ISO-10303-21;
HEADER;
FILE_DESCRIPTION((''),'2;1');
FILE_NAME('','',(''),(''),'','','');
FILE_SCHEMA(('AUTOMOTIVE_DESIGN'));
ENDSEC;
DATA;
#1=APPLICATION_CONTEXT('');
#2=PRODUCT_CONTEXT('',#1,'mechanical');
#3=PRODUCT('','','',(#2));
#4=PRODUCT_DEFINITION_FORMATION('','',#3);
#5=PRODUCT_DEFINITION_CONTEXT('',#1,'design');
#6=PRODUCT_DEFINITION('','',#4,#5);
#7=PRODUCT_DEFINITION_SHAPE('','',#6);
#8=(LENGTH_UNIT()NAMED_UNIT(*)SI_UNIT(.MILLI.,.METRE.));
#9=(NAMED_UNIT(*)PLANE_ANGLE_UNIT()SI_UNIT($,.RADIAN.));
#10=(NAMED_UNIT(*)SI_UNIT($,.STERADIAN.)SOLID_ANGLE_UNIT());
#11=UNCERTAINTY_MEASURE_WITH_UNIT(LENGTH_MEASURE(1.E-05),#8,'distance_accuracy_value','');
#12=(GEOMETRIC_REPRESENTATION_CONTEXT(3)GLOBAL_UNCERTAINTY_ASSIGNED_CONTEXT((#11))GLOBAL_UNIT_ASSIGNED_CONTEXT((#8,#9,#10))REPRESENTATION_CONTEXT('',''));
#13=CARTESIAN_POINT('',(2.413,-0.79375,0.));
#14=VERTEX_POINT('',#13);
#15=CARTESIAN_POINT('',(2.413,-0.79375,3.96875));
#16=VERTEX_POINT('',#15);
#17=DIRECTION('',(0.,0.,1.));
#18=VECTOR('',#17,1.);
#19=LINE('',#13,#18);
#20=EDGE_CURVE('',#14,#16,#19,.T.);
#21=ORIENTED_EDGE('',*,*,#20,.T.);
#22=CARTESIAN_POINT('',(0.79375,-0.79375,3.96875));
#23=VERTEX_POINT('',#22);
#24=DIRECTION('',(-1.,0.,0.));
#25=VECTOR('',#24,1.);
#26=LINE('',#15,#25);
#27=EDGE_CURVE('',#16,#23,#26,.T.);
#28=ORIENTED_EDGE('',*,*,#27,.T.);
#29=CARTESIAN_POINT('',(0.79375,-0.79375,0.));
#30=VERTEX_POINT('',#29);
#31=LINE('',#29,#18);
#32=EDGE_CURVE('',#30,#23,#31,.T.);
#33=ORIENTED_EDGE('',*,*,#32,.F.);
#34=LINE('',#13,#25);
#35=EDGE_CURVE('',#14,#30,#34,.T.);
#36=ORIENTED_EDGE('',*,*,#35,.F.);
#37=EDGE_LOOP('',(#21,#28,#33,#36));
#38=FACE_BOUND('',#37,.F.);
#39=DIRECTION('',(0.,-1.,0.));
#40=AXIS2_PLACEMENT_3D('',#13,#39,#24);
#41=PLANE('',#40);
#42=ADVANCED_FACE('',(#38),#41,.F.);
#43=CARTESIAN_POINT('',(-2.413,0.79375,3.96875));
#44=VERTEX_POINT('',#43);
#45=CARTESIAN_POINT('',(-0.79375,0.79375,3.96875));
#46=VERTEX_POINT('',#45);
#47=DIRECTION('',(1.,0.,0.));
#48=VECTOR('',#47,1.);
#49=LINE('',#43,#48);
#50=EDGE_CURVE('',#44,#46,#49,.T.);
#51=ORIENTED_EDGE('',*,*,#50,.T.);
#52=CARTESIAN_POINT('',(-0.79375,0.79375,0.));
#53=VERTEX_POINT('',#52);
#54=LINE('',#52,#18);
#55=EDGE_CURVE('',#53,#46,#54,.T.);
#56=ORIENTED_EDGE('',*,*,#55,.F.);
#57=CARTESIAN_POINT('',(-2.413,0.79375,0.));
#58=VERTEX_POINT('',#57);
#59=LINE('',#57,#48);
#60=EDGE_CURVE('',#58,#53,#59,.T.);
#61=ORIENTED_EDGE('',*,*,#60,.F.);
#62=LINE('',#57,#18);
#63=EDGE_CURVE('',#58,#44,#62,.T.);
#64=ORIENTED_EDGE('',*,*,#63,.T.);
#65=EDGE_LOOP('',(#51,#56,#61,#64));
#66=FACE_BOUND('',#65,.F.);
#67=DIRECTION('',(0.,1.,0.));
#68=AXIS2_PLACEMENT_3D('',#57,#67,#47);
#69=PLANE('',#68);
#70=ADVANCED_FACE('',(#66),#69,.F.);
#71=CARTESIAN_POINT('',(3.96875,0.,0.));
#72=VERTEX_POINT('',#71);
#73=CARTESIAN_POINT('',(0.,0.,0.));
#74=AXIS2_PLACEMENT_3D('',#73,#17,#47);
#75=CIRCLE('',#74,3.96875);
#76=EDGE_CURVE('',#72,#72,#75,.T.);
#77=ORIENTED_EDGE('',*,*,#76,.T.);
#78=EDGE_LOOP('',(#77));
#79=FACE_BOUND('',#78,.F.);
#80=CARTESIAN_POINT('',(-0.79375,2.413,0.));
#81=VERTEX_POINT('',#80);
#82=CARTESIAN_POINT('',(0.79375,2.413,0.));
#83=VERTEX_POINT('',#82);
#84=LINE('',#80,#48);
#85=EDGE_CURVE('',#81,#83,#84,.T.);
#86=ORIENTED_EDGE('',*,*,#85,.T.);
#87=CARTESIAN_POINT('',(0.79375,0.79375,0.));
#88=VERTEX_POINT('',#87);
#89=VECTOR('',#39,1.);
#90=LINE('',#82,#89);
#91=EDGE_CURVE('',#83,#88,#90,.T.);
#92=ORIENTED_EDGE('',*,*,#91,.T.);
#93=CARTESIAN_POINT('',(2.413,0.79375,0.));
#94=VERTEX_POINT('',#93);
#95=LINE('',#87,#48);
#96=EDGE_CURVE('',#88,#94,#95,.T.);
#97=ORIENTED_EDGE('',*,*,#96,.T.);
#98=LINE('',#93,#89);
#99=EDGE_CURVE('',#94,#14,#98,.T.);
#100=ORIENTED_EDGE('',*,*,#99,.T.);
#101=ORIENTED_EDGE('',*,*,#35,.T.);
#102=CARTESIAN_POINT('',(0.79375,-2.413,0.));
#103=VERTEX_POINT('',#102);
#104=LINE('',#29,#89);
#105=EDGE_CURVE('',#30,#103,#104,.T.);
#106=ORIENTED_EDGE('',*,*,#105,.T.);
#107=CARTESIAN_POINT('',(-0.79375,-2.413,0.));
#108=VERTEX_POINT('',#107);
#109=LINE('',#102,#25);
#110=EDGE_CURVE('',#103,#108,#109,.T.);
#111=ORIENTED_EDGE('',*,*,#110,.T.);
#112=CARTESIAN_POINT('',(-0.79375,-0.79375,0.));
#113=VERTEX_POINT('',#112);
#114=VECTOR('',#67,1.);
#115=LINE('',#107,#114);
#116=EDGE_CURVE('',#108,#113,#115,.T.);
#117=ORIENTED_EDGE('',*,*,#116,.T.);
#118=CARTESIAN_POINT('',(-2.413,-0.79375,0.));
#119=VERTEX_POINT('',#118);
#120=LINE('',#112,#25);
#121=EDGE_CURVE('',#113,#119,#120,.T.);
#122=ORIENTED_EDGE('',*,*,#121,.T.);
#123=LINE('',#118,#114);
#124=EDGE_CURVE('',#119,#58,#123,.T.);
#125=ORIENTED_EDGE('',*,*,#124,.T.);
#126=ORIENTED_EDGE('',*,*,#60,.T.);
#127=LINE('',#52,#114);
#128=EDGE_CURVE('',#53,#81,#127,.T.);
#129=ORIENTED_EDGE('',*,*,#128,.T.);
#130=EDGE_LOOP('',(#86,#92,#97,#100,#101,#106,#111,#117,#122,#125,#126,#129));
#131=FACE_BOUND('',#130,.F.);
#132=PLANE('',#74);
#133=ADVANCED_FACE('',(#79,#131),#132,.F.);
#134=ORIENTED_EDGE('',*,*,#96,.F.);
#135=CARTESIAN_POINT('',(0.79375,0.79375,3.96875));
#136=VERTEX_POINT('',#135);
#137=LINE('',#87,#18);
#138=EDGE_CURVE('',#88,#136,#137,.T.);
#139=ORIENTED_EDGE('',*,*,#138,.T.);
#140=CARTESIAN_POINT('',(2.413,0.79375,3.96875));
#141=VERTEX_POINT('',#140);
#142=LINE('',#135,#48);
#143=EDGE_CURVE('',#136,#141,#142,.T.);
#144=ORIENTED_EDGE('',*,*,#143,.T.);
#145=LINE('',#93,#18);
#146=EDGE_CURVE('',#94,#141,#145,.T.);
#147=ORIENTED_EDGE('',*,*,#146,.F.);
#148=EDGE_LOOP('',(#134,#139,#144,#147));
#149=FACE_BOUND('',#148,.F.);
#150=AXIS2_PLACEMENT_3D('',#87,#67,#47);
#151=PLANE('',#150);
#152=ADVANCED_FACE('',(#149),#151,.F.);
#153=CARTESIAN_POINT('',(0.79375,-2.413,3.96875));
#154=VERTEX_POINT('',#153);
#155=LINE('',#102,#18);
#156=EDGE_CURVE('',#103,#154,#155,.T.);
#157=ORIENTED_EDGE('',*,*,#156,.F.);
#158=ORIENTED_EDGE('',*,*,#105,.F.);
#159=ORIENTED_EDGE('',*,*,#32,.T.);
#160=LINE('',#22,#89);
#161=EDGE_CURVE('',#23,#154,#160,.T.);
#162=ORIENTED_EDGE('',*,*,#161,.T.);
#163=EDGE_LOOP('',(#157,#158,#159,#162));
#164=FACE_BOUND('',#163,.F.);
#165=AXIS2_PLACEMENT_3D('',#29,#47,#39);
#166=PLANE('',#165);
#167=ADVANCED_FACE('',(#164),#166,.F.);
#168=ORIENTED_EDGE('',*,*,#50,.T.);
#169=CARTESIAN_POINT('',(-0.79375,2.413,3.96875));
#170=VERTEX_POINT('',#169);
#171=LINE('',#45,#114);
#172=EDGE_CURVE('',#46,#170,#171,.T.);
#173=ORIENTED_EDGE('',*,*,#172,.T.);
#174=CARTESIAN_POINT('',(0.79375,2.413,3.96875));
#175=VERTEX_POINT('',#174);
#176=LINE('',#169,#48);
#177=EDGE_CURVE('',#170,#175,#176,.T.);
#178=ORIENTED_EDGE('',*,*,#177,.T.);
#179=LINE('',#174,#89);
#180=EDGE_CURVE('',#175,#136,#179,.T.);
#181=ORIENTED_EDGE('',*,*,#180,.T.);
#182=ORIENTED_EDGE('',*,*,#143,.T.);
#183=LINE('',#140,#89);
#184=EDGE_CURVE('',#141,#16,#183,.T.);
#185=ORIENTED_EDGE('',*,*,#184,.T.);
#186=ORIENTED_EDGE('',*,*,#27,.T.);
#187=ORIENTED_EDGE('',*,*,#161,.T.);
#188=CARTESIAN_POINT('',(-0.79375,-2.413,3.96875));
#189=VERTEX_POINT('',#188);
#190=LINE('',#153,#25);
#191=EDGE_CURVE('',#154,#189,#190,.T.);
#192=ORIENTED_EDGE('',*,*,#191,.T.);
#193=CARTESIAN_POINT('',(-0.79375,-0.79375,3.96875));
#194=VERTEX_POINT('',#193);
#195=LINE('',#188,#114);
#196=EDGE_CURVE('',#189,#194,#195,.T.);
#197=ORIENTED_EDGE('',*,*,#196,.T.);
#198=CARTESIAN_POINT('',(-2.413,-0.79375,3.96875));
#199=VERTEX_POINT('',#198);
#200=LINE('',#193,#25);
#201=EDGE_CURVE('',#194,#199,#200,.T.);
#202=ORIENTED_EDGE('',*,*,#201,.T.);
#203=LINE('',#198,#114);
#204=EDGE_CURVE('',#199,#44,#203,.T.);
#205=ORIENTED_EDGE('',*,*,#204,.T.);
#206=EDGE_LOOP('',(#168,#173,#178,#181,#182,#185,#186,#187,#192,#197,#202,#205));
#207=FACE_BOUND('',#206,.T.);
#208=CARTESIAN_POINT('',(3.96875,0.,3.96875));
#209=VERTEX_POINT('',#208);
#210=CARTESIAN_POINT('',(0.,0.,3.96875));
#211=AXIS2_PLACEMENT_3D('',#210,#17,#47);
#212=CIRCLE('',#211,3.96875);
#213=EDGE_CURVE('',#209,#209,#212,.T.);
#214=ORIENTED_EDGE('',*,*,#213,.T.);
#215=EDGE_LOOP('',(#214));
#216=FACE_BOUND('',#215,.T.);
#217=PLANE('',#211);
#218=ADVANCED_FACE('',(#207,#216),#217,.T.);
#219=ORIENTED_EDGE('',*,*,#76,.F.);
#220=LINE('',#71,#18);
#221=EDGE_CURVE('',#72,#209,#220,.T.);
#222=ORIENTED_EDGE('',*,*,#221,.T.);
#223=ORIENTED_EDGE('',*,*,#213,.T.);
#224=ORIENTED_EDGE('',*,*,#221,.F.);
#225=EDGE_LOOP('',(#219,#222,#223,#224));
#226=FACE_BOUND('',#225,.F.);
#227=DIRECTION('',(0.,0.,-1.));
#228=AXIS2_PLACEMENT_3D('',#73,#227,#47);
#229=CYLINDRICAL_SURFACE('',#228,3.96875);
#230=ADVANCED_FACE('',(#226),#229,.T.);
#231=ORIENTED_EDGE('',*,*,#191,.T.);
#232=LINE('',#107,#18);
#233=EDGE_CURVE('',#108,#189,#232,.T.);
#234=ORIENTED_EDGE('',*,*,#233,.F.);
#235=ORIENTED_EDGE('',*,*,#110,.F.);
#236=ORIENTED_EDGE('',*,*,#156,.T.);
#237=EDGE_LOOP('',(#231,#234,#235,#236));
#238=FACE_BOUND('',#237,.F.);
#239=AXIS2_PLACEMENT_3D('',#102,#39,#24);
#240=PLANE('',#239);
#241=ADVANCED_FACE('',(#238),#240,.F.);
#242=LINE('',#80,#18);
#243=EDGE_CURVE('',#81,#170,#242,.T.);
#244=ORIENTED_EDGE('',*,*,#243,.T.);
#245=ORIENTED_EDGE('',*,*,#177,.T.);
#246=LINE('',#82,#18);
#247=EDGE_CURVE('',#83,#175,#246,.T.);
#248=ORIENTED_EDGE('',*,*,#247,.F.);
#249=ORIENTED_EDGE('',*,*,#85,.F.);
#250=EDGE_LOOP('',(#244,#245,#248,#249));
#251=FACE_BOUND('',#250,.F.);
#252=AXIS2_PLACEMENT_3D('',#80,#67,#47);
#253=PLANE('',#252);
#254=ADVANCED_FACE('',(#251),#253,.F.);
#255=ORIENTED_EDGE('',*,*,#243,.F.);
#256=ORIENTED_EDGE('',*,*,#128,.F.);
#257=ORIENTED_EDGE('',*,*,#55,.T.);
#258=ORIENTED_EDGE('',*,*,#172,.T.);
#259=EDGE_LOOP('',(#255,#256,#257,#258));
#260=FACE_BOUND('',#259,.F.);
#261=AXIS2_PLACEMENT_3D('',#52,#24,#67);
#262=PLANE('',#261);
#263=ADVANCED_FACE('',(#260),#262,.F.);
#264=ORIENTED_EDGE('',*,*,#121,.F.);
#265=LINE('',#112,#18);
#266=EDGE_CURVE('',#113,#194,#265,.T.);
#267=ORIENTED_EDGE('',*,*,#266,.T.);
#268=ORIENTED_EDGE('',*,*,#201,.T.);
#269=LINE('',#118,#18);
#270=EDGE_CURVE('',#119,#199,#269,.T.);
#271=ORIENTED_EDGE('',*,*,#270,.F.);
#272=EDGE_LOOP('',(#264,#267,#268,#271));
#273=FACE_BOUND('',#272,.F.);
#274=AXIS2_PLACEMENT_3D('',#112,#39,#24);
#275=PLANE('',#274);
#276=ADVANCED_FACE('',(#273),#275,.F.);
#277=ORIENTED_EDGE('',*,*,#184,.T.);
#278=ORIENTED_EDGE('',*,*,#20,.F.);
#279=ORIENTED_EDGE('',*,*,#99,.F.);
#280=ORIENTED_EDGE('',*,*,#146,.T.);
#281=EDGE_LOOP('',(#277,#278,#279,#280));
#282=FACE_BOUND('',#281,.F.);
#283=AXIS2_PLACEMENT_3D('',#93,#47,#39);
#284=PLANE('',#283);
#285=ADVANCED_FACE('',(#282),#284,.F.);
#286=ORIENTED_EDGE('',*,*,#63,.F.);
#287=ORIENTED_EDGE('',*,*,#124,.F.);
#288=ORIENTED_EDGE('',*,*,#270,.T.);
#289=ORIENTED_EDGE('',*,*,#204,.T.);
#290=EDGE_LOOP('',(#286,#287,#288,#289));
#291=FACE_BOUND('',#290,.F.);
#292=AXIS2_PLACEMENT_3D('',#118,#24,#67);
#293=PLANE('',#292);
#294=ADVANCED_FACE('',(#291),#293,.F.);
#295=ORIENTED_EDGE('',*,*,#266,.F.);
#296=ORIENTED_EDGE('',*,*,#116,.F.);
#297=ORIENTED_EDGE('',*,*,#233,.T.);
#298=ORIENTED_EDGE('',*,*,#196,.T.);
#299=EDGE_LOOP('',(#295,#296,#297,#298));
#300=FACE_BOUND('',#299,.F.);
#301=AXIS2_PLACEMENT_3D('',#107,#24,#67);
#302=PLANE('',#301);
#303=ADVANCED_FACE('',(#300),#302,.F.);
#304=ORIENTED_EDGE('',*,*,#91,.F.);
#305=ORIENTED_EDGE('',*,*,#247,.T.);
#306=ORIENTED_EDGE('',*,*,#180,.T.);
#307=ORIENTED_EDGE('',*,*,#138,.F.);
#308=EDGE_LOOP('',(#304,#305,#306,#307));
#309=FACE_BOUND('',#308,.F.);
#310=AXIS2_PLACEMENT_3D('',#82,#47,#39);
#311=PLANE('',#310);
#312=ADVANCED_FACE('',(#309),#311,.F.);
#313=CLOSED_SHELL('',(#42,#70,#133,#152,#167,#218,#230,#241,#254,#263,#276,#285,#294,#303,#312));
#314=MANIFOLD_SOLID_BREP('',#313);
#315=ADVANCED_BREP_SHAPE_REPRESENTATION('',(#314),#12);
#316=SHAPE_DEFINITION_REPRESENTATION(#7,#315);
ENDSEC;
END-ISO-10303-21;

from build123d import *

# Parameters (mm, degrees)
F0_R     = 3.96875
F1_DEPTH = 3.96875


with BuildPart() as f1:
    # F0 (on Top) → F1 (new body)
    with BuildSketch(Plane.XY):
        Circle(F0_R)
        Polygon((0.79375, -0.79375), (0.79375, -2.413), (-0.79375, -2.413), (-0.79375, -0.79375), (-2.413, -0.79375), (-2.413, 0.79375), (-0.79375, 0.79375), (-0.79375, 2.413), (0.79375, 2.413), (0.79375, 0.79375), (2.413, 0.79375), (2.413, -0.79375), align=None, mode=Mode.SUBTRACT)
    extrude(amount=F1_DEPTH)


solid = f1.part
